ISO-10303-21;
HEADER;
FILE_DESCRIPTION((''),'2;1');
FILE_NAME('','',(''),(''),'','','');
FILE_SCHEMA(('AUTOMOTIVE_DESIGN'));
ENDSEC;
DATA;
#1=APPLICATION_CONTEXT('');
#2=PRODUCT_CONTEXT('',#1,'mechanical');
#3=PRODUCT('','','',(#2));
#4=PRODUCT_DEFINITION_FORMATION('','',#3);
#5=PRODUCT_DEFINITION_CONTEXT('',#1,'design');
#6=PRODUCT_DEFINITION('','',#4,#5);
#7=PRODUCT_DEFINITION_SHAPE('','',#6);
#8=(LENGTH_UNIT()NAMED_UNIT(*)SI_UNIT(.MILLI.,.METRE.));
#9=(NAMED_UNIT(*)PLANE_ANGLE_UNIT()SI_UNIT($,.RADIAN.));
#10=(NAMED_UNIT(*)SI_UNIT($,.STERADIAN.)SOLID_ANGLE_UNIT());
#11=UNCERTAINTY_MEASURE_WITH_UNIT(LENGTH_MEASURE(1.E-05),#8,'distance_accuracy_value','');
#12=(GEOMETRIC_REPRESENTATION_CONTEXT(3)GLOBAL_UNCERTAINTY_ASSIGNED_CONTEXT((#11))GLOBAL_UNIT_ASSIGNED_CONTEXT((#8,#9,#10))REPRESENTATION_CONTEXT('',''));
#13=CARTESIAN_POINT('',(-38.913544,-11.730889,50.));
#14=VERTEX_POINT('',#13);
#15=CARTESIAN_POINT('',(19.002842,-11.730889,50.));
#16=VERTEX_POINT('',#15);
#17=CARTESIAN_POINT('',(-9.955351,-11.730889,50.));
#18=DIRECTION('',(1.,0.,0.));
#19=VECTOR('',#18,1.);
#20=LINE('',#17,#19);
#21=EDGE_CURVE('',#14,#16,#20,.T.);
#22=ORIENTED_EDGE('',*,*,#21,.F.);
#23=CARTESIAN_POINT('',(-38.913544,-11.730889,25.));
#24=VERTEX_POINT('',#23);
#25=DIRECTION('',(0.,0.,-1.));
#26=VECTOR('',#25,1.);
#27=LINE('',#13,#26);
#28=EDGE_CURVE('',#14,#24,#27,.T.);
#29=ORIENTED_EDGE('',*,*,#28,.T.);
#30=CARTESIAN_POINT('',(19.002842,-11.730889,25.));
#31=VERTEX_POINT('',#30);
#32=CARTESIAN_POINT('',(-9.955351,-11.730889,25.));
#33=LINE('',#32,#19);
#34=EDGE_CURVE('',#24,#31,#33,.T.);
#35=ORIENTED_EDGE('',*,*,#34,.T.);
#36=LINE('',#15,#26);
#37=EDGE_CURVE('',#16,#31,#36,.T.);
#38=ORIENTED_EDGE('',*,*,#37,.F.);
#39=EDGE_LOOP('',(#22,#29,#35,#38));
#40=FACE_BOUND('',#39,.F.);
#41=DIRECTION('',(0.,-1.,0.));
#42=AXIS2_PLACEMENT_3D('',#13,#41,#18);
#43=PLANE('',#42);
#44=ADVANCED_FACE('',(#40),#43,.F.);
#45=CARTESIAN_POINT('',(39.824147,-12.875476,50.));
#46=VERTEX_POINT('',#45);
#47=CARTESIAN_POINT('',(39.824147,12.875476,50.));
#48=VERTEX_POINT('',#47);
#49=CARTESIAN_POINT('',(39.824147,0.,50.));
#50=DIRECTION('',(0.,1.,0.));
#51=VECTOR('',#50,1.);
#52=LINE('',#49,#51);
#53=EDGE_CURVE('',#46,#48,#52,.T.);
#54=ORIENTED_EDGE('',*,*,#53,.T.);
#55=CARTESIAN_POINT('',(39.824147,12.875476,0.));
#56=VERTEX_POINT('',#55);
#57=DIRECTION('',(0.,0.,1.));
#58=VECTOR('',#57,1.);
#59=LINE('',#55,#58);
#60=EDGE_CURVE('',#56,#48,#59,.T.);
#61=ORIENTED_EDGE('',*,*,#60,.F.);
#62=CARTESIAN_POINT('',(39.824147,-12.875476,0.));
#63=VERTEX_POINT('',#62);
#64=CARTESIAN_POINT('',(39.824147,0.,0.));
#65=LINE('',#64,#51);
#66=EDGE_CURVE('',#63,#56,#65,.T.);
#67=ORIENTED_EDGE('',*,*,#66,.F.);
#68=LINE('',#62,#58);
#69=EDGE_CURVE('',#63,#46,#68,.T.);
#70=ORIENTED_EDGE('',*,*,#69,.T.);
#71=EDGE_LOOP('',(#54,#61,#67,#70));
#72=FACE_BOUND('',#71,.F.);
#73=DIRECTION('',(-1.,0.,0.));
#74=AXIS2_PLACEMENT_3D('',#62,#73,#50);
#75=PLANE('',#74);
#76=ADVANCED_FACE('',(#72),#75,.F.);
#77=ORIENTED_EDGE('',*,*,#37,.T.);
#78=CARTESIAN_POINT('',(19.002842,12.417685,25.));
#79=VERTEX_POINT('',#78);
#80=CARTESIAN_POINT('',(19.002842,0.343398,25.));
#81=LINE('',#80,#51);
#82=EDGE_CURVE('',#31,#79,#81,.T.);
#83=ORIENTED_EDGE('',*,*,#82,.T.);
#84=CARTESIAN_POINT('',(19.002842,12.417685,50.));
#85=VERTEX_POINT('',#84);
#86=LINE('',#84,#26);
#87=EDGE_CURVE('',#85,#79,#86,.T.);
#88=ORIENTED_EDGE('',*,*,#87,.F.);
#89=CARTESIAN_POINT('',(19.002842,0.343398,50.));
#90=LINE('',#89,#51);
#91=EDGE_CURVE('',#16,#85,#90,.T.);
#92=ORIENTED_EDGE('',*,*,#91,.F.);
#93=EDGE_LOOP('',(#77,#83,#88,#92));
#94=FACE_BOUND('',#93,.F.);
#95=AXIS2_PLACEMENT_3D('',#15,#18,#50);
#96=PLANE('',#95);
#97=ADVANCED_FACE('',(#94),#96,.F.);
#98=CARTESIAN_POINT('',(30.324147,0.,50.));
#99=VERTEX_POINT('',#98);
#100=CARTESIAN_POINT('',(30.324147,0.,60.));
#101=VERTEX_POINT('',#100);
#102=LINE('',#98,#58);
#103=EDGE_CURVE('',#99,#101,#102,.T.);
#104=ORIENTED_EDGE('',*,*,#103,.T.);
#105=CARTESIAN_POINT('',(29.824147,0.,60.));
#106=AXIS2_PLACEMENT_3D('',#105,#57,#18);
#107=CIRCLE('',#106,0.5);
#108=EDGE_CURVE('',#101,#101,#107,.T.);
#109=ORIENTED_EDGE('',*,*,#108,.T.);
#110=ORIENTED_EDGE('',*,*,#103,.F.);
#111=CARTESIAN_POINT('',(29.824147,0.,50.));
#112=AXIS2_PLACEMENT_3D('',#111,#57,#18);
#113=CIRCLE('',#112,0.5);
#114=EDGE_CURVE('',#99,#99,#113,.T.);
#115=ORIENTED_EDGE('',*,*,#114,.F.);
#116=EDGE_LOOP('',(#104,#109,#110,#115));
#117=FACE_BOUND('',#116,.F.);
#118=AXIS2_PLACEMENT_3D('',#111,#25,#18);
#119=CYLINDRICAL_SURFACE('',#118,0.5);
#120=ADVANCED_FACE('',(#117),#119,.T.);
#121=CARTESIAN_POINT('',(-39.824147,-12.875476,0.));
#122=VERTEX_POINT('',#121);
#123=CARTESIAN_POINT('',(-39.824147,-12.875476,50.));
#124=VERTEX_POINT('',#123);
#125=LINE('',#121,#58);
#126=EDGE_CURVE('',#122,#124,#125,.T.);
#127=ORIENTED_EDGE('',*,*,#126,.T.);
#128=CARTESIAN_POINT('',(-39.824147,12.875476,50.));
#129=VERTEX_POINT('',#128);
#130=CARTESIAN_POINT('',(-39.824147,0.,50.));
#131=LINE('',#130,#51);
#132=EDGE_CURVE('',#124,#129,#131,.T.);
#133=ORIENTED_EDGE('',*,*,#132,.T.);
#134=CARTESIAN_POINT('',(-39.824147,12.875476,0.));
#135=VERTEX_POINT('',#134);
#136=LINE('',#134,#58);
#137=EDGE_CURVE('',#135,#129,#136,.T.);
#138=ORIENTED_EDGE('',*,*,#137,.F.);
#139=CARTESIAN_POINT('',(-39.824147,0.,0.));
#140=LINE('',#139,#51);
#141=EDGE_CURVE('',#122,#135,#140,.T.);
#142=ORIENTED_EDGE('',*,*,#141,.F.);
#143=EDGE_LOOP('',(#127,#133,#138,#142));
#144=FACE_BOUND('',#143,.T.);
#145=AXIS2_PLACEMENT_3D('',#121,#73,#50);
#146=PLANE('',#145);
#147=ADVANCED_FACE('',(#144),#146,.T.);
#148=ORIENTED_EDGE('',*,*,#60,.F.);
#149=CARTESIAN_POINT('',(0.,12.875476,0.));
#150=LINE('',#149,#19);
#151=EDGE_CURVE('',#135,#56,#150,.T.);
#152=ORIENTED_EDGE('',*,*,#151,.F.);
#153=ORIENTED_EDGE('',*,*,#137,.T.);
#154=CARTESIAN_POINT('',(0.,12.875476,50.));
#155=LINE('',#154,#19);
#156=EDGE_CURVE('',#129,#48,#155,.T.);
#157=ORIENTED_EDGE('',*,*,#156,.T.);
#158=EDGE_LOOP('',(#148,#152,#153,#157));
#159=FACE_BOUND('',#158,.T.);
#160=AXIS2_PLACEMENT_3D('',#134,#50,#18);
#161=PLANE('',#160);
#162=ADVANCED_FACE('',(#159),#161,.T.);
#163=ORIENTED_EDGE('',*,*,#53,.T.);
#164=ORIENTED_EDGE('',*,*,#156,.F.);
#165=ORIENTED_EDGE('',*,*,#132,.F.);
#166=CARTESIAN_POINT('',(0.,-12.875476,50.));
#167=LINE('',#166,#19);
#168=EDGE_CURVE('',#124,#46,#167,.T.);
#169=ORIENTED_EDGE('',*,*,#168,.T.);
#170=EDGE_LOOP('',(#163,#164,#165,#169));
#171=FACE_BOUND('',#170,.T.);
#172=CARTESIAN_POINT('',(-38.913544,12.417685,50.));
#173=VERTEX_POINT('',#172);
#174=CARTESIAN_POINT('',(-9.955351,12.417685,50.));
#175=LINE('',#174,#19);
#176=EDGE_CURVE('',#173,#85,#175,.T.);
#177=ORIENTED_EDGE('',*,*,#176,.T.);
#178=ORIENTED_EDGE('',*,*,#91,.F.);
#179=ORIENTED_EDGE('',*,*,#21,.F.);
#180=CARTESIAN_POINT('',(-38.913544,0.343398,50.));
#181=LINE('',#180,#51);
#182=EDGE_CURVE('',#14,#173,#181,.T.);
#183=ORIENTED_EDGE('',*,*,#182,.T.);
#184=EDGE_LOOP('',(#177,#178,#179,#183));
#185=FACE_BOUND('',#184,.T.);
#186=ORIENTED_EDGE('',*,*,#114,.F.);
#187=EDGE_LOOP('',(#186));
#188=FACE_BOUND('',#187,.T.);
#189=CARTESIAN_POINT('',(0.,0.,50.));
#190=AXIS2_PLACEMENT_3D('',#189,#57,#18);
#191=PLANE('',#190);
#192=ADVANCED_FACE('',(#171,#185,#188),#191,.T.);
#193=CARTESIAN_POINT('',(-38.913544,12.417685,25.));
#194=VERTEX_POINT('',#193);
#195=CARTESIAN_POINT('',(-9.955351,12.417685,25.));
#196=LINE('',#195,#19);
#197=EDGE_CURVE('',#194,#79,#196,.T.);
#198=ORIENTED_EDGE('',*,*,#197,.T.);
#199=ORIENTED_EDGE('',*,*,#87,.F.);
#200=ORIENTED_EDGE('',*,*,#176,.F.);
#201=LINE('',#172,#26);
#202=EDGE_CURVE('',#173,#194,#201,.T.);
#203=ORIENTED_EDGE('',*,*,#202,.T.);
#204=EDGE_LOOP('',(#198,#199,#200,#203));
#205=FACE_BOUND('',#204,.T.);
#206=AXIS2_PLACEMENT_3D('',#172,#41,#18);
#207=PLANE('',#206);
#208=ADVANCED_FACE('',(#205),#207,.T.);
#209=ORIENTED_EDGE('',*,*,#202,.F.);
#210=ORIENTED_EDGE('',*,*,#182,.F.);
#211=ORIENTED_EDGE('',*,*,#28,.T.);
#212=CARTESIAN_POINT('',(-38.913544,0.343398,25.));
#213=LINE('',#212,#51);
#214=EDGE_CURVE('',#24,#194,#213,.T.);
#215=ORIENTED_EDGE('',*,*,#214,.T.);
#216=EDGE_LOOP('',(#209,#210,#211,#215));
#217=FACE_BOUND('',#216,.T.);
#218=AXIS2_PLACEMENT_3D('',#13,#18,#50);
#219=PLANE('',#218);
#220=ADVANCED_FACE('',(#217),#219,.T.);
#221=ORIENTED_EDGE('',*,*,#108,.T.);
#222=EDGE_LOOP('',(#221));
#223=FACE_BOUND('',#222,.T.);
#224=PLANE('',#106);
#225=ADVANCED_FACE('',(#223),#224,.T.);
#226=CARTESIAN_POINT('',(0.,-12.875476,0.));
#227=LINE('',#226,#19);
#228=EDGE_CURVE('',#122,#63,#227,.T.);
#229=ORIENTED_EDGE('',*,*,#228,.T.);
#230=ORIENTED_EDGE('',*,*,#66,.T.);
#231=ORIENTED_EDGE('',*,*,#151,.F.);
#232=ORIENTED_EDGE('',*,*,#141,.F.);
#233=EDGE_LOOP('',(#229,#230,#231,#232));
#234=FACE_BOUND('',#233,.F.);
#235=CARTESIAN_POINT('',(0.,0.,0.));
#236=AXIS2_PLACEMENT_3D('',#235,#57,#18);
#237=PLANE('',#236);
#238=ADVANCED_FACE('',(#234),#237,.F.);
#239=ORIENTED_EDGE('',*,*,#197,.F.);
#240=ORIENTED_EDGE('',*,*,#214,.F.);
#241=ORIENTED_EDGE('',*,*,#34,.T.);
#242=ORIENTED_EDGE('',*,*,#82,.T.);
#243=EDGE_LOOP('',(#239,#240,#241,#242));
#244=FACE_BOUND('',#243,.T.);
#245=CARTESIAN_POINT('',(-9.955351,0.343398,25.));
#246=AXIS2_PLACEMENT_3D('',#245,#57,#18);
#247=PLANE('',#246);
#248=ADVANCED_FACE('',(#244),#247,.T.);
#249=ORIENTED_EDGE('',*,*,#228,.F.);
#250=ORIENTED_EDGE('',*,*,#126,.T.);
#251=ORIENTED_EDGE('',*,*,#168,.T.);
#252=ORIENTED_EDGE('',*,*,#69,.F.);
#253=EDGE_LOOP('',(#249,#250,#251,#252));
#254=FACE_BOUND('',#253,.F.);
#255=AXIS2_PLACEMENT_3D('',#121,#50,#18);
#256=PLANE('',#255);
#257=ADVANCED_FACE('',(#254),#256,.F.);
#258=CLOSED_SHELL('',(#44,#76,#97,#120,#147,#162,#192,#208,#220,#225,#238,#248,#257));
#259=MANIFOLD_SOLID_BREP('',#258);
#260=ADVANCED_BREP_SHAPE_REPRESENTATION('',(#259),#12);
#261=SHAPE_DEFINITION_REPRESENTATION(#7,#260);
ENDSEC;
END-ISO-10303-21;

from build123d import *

# Parameters (mm, degrees)
F0_W     = 79.648294
F0_H     = 25.750952
F1_DEPTH = 50
F2_W     = 57.916386
F2_H     = 24.148573
F3_DEPTH = 25
F4_R     = 0.5
F5_DEPTH = 10


with BuildPart() as f1:
    # F0 (on Top) → F1 (new body)
    with BuildSketch(Plane.XY):
        Rectangle(F0_W, F0_H)
    extrude(amount=F1_DEPTH)

    # F2 (on face) → F3 (cut)
    with BuildSketch(Plane.XY.offset(50)):
        with Locations((-9.955351, 0.343398)):
            Rectangle(F2_W, F2_H)
    extrude(amount=-F3_DEPTH, mode=Mode.SUBTRACT)

    # F4 (on face) → F5 (join)
    with BuildSketch(Plane.XY.offset(50)):
        with Locations((29.824147, 0)):
            Circle(F4_R)
    extrude(amount=F5_DEPTH)


solid = f1.part
